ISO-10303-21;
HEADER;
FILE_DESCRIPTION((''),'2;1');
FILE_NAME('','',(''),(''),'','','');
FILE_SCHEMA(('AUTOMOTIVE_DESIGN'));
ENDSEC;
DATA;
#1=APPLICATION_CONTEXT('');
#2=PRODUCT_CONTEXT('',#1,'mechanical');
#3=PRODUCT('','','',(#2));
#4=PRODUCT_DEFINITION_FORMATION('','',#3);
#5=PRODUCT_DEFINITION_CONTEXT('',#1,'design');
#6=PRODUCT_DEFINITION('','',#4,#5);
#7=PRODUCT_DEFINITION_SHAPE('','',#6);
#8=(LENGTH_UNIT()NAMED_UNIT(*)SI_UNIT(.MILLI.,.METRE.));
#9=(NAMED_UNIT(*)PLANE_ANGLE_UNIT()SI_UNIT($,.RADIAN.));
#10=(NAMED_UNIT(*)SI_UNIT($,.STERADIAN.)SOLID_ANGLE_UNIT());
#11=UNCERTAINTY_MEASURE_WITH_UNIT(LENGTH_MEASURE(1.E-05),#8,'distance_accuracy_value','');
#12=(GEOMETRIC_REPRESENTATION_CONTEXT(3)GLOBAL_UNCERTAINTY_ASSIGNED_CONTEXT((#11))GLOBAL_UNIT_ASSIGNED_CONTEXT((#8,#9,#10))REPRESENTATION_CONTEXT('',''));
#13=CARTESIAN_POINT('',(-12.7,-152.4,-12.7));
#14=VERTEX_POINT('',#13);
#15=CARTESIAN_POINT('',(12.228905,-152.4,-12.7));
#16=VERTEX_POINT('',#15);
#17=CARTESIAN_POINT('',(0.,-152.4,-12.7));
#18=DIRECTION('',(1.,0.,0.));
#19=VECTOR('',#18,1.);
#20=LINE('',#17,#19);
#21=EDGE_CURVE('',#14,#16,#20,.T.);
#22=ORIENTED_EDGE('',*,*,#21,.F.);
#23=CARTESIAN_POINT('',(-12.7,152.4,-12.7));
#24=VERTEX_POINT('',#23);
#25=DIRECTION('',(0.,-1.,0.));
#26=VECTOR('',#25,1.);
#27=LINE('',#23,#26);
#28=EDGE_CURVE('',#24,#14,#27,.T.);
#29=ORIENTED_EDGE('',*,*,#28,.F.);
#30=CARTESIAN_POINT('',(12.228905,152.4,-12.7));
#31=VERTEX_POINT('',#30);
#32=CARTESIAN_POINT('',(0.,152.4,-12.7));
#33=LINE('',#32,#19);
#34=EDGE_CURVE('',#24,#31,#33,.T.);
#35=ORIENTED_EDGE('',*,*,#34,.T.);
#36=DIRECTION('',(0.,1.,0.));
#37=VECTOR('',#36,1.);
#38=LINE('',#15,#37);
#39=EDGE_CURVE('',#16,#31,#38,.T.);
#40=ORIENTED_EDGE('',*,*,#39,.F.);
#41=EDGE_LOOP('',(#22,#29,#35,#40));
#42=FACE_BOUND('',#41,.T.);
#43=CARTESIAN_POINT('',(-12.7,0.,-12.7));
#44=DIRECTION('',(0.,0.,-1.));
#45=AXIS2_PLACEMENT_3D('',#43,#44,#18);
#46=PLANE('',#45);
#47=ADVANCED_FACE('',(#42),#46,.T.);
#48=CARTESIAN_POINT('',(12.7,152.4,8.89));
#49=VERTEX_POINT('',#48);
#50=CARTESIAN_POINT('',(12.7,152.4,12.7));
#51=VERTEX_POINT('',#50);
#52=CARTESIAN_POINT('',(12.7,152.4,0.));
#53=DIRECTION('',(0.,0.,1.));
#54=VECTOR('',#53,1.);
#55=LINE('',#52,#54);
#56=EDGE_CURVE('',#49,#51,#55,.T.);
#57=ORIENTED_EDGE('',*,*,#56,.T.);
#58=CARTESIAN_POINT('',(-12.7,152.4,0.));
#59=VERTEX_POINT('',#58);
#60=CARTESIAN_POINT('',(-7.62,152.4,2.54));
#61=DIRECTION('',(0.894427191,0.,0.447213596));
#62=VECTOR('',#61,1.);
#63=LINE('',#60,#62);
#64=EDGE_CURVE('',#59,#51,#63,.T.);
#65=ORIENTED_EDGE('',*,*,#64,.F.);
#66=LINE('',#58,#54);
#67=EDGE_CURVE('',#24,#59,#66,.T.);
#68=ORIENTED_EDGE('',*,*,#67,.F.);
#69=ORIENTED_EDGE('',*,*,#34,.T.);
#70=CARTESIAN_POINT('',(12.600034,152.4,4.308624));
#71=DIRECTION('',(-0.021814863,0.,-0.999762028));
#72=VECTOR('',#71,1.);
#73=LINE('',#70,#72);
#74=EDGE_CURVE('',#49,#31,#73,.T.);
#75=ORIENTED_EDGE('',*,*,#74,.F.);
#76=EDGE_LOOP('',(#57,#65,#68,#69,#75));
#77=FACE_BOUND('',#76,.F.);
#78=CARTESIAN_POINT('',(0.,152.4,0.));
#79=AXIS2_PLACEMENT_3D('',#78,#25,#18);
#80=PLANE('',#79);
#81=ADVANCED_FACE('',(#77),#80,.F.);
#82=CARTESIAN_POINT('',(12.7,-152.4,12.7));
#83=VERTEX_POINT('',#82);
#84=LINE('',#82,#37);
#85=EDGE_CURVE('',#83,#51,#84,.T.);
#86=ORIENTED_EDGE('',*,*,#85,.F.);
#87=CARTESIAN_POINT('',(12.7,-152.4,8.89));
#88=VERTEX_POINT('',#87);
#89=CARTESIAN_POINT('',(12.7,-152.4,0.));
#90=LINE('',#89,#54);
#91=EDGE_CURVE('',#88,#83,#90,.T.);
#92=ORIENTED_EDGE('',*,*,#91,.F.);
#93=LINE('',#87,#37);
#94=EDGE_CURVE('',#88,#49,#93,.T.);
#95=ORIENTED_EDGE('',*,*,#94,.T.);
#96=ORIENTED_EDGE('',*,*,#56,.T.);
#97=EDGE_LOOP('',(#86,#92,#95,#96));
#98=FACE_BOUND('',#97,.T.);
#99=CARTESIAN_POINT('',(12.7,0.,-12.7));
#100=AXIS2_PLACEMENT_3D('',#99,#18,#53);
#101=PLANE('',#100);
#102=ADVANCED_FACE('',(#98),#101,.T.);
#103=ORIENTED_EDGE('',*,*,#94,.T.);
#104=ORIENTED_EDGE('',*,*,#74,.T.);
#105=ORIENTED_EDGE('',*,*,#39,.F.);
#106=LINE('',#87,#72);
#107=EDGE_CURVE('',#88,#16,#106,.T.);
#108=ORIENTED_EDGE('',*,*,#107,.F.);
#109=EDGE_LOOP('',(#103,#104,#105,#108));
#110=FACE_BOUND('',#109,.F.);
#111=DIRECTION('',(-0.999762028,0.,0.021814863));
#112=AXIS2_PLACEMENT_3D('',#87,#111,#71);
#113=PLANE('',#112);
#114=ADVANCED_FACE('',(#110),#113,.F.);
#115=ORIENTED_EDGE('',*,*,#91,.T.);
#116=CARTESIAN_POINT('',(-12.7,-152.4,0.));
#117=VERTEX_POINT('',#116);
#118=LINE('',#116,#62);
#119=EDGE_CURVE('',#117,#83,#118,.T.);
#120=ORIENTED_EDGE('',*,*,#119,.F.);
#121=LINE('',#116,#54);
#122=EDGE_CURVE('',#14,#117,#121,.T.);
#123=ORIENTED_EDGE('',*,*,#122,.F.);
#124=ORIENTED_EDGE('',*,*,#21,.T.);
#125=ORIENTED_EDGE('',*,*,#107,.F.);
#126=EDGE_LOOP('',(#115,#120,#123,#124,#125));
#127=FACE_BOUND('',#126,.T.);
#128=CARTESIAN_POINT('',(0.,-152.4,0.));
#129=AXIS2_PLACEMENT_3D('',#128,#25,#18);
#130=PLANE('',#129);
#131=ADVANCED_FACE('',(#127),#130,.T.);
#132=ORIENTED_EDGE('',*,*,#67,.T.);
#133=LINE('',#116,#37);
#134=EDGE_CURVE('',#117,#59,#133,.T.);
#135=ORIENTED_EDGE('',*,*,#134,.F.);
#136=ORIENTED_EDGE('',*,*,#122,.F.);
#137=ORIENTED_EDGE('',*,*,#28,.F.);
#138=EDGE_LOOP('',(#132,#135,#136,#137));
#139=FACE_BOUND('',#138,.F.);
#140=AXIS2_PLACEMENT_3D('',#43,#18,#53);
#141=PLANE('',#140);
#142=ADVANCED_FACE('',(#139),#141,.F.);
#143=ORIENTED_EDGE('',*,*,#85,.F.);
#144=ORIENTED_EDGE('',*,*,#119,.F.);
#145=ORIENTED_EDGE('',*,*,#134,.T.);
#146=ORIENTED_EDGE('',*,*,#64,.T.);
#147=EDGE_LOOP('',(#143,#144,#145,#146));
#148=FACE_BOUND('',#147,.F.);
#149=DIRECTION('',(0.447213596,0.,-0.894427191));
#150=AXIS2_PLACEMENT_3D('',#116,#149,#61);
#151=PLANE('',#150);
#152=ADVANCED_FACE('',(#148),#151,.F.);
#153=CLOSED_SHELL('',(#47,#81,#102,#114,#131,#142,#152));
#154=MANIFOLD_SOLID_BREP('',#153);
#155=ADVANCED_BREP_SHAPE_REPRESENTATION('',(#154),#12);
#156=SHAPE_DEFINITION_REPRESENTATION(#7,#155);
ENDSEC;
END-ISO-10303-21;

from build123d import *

# Parameters (mm, degrees)
F0_W     = 25.4
F0_H     = 25.4
F1_DEPTH = 152.4
F3_DEPTH = 304.801


with BuildPart() as f1:
    # F0 (on Front) → F1 (new body, symmetric)
    with BuildSketch(Plane.XZ):
        Rectangle(F0_W, F0_H)
    extrude(amount=F1_DEPTH, both=True)

    # F2 (on face) → F3 (cut, through all)
    with BuildSketch(Plane.XZ.offset(152.4)):
        Polygon((12.7, -12.7), (12.7, 8.89), (12.228905, -12.7), align=None)
        Polygon((-12.7, 0), (12.7, 12.7), (-12.7, 12.7), align=None)
    extrude(amount=-F3_DEPTH, mode=Mode.SUBTRACT)


solid = f1.part
